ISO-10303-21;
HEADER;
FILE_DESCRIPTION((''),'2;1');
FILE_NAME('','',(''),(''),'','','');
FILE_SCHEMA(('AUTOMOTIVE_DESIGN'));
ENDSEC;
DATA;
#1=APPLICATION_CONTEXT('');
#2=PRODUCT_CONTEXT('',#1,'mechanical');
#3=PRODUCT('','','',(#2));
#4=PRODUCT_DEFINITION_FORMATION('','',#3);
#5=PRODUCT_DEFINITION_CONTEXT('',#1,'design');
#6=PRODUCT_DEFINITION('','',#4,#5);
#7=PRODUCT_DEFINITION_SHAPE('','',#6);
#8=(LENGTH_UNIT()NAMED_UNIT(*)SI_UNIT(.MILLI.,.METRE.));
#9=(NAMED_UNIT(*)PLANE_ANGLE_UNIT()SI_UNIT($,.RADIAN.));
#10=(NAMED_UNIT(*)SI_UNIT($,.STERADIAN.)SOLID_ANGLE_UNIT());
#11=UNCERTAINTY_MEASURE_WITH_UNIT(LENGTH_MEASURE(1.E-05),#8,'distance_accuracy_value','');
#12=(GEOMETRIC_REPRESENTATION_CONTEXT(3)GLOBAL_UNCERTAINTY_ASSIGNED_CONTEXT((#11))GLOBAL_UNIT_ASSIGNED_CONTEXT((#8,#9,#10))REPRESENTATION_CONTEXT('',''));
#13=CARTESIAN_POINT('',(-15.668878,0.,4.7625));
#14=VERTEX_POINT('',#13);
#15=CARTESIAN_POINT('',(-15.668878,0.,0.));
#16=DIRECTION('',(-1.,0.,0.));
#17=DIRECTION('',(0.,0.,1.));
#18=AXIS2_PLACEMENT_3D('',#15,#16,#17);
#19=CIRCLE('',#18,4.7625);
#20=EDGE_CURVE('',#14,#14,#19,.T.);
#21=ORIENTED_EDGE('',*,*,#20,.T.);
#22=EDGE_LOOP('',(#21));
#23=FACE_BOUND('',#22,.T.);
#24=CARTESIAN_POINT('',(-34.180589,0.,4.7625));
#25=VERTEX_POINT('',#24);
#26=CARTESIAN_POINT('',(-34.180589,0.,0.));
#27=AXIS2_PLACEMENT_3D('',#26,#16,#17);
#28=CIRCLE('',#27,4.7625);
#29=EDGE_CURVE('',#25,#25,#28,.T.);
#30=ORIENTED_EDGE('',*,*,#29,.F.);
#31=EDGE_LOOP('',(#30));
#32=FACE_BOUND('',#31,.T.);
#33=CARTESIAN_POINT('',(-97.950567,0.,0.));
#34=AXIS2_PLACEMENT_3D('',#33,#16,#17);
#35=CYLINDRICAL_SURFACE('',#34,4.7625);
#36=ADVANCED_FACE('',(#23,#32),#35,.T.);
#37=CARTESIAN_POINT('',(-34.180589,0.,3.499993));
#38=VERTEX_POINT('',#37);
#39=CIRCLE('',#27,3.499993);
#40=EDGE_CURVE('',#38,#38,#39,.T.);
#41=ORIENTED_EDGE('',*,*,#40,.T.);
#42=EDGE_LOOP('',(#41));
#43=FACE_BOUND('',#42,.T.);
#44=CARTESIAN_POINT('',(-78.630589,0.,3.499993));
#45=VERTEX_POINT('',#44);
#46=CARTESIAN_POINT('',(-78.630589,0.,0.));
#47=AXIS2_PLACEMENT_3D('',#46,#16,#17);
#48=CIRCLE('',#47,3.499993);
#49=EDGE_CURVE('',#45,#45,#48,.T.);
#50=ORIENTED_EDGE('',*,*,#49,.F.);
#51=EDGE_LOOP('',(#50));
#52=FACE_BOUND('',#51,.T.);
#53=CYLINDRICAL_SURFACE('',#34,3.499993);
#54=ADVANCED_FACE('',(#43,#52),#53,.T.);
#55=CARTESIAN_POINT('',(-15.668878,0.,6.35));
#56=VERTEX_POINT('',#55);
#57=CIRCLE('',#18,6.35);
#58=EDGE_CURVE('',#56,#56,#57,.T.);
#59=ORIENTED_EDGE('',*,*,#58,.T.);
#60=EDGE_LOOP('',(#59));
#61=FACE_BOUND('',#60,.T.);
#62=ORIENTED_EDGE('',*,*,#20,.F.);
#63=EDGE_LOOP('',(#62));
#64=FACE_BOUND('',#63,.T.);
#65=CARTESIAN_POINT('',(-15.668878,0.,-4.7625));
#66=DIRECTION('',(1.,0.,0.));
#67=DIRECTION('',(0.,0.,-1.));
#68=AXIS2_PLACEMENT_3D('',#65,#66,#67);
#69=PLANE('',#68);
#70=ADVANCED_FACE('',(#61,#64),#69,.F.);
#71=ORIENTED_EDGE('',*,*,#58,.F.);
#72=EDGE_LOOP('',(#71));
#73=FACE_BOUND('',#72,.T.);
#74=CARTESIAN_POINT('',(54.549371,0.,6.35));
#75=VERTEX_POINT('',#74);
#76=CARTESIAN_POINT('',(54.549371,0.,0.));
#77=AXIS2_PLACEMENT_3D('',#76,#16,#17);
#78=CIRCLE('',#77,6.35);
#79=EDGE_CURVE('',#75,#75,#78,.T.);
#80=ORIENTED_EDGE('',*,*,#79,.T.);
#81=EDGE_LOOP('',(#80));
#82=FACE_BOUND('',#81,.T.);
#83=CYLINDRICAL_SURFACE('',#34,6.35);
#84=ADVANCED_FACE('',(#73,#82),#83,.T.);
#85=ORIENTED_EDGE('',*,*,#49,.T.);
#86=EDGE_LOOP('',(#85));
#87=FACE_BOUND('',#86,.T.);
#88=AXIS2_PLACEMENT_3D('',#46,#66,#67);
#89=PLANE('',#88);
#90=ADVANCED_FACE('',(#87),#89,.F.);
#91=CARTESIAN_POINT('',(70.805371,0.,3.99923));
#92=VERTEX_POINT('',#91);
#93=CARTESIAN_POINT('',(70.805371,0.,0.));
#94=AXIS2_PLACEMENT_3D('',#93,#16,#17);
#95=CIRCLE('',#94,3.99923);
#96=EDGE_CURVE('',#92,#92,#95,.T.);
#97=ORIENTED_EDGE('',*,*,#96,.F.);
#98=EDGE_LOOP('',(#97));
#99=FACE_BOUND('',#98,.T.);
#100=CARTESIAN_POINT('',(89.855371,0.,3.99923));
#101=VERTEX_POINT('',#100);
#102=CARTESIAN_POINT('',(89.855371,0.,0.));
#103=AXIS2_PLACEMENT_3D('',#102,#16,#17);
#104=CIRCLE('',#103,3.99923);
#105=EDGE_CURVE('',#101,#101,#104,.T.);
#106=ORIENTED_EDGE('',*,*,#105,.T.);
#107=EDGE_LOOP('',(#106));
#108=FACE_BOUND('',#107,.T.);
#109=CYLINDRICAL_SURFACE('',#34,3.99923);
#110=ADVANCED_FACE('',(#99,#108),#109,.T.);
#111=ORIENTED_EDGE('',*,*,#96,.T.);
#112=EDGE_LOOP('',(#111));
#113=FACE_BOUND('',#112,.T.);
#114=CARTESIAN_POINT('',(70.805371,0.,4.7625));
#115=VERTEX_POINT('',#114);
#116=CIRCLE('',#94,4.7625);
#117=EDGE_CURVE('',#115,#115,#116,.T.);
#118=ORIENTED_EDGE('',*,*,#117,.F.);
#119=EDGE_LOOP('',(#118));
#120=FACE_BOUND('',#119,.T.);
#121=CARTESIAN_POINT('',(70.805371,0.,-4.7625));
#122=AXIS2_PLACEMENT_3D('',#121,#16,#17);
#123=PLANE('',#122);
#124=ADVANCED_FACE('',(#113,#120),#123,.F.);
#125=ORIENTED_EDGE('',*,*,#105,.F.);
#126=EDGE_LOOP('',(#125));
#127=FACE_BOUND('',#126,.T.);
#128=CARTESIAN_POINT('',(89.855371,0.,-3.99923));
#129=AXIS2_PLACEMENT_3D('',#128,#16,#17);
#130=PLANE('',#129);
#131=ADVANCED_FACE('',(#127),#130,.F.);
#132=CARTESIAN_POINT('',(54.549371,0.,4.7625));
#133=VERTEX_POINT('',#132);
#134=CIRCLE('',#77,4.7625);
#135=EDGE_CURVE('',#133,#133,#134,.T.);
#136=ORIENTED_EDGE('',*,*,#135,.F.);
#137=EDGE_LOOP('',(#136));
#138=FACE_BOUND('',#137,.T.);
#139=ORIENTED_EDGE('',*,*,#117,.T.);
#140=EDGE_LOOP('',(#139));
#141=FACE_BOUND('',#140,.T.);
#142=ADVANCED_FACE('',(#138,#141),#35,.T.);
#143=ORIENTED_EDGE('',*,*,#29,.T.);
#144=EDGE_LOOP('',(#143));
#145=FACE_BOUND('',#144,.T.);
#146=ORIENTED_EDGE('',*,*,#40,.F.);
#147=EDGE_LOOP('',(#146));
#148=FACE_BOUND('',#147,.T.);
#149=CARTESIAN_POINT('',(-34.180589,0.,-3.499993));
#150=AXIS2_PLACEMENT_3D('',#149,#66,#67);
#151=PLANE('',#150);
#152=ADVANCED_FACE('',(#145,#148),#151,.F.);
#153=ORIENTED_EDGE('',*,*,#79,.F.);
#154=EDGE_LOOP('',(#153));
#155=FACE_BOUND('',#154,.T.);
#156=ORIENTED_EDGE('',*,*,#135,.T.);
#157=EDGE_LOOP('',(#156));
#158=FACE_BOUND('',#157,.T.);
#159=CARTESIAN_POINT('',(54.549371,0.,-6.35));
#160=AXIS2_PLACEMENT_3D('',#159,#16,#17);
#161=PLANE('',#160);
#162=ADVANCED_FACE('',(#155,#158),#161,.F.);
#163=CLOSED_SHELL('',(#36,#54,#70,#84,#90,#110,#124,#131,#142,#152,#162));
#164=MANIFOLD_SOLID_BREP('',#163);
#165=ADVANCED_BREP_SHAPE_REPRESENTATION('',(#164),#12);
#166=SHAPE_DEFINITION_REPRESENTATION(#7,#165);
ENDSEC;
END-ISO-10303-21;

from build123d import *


with BuildPart() as part:
    # Sketch1 → Revolve1 (revolve)
    with BuildSketch(Plane(origin=(0, 0, 0), x_dir=(1, 0, 0), z_dir=(0, 1, 0)), mode=Mode.PRIVATE) as revolve1_sk:
        Polygon((-78.63058905, 0), (-78.63058905, 3.499993), (-34.18058905, 3.499993), (-34.18058905, 4.7625), (-15.668878296, 4.7625), (-15.668878296, 6.35), (54.549370904, 6.35), (54.549370904, 4.7625), (70.805370904, 4.7625), (70.805370904, 3.99923), (89.855370904, 3.99923), (89.855370904, 0), align=None)
    revolve(revolve1_sk.sketch.rotate(Axis((-97.950567047, 0, 0), (1, 0, 0)), 180), axis=Axis((-97.950567047, 0, 0), (1, 0, 0)))


solid = part.part
